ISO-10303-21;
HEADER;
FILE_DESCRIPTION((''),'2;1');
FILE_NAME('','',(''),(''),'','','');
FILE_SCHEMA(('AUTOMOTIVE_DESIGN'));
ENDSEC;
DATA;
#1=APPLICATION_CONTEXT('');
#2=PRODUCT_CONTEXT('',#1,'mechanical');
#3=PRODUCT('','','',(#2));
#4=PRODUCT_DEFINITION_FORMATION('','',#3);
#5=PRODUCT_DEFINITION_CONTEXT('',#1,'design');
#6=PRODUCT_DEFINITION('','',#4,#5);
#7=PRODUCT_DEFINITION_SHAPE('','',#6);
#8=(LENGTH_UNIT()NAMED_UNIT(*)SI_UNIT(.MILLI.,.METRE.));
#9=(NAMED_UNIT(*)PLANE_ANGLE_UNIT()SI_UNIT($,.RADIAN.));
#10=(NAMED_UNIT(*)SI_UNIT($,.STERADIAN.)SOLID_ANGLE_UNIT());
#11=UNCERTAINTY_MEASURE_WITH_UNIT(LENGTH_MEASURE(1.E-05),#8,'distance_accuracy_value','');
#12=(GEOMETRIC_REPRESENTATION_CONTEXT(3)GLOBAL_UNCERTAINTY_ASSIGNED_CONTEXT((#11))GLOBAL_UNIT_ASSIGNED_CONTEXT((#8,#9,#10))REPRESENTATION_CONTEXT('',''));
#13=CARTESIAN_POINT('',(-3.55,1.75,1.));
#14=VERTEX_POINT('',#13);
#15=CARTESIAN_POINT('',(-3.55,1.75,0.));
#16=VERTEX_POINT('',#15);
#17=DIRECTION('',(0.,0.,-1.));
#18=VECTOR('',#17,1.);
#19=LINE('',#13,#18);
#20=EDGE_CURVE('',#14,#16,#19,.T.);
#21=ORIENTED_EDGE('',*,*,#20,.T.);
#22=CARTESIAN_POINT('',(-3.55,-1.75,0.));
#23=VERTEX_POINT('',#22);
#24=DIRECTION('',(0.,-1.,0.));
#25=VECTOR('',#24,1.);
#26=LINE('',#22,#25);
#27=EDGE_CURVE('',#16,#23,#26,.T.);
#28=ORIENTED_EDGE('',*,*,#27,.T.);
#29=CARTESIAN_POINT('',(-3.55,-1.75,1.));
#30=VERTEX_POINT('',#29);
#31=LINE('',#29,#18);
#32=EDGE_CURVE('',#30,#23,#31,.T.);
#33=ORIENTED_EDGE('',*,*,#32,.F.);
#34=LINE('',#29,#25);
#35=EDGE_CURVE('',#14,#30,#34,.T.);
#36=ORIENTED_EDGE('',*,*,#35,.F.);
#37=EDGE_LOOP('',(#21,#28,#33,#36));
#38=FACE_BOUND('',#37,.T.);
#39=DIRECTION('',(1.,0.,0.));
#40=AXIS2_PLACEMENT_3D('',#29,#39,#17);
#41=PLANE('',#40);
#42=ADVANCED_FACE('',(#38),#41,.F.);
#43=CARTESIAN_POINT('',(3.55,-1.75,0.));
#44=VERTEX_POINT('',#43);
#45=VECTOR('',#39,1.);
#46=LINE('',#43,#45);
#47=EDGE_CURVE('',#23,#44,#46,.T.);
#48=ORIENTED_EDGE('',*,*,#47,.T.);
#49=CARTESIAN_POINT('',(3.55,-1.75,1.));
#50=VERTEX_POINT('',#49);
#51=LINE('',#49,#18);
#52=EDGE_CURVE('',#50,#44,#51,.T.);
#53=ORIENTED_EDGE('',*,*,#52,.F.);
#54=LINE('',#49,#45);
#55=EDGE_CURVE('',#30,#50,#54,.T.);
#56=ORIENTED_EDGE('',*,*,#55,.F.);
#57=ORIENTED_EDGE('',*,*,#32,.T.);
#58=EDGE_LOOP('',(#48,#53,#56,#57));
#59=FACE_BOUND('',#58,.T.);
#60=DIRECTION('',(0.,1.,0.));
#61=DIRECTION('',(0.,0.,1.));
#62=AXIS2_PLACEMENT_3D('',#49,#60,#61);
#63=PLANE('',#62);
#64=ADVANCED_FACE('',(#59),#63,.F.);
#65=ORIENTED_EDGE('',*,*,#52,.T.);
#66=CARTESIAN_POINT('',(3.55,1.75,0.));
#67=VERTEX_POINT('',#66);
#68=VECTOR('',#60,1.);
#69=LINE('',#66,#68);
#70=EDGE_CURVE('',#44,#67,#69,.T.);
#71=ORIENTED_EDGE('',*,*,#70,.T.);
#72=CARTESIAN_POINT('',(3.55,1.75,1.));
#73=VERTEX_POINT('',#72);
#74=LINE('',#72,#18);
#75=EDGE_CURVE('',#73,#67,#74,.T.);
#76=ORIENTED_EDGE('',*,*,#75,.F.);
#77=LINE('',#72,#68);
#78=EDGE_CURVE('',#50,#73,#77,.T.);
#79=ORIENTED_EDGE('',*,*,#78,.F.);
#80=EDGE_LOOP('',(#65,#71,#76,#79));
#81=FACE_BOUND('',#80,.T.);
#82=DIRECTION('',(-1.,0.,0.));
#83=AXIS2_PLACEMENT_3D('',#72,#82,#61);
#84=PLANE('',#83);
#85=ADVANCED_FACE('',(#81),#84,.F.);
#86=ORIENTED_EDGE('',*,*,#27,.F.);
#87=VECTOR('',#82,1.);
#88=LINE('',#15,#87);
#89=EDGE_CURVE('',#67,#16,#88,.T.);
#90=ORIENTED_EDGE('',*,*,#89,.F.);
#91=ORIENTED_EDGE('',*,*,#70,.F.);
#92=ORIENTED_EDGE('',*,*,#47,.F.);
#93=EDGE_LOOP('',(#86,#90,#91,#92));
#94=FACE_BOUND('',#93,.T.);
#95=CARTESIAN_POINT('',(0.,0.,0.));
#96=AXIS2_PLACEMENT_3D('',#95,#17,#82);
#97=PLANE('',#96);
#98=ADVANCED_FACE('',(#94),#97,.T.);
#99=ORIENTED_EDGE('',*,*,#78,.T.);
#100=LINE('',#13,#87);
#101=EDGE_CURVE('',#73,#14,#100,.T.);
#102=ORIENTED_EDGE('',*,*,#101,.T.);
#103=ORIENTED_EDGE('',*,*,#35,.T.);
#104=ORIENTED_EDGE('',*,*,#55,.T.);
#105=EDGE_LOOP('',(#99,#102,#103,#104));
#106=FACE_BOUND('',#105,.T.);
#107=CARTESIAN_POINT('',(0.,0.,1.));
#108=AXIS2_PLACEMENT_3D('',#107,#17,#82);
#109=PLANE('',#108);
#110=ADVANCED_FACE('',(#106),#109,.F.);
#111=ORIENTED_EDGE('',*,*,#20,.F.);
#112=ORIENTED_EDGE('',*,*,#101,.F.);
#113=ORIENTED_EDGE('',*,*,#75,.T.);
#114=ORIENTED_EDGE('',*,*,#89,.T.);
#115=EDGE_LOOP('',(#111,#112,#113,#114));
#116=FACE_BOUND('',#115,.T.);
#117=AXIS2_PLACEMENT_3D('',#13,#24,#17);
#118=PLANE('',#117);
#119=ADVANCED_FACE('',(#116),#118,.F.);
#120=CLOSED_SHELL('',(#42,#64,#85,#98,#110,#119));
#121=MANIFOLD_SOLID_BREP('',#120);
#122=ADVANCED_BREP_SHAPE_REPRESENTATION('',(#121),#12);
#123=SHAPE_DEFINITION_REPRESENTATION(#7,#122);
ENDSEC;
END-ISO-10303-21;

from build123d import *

# Parameters (mm, degrees)
SKETCH1_W               = 7.1
SKETCH1_H               = 3.5
COMPONENT_OUTLINE_DEPTH = 1


with BuildPart() as part:
    # Sketch1 → Component_Outline (new body)
    with BuildSketch(Plane.XY):
        Rectangle(SKETCH1_W, SKETCH1_H)
    extrude(amount=COMPONENT_OUTLINE_DEPTH)


solid = part.part
